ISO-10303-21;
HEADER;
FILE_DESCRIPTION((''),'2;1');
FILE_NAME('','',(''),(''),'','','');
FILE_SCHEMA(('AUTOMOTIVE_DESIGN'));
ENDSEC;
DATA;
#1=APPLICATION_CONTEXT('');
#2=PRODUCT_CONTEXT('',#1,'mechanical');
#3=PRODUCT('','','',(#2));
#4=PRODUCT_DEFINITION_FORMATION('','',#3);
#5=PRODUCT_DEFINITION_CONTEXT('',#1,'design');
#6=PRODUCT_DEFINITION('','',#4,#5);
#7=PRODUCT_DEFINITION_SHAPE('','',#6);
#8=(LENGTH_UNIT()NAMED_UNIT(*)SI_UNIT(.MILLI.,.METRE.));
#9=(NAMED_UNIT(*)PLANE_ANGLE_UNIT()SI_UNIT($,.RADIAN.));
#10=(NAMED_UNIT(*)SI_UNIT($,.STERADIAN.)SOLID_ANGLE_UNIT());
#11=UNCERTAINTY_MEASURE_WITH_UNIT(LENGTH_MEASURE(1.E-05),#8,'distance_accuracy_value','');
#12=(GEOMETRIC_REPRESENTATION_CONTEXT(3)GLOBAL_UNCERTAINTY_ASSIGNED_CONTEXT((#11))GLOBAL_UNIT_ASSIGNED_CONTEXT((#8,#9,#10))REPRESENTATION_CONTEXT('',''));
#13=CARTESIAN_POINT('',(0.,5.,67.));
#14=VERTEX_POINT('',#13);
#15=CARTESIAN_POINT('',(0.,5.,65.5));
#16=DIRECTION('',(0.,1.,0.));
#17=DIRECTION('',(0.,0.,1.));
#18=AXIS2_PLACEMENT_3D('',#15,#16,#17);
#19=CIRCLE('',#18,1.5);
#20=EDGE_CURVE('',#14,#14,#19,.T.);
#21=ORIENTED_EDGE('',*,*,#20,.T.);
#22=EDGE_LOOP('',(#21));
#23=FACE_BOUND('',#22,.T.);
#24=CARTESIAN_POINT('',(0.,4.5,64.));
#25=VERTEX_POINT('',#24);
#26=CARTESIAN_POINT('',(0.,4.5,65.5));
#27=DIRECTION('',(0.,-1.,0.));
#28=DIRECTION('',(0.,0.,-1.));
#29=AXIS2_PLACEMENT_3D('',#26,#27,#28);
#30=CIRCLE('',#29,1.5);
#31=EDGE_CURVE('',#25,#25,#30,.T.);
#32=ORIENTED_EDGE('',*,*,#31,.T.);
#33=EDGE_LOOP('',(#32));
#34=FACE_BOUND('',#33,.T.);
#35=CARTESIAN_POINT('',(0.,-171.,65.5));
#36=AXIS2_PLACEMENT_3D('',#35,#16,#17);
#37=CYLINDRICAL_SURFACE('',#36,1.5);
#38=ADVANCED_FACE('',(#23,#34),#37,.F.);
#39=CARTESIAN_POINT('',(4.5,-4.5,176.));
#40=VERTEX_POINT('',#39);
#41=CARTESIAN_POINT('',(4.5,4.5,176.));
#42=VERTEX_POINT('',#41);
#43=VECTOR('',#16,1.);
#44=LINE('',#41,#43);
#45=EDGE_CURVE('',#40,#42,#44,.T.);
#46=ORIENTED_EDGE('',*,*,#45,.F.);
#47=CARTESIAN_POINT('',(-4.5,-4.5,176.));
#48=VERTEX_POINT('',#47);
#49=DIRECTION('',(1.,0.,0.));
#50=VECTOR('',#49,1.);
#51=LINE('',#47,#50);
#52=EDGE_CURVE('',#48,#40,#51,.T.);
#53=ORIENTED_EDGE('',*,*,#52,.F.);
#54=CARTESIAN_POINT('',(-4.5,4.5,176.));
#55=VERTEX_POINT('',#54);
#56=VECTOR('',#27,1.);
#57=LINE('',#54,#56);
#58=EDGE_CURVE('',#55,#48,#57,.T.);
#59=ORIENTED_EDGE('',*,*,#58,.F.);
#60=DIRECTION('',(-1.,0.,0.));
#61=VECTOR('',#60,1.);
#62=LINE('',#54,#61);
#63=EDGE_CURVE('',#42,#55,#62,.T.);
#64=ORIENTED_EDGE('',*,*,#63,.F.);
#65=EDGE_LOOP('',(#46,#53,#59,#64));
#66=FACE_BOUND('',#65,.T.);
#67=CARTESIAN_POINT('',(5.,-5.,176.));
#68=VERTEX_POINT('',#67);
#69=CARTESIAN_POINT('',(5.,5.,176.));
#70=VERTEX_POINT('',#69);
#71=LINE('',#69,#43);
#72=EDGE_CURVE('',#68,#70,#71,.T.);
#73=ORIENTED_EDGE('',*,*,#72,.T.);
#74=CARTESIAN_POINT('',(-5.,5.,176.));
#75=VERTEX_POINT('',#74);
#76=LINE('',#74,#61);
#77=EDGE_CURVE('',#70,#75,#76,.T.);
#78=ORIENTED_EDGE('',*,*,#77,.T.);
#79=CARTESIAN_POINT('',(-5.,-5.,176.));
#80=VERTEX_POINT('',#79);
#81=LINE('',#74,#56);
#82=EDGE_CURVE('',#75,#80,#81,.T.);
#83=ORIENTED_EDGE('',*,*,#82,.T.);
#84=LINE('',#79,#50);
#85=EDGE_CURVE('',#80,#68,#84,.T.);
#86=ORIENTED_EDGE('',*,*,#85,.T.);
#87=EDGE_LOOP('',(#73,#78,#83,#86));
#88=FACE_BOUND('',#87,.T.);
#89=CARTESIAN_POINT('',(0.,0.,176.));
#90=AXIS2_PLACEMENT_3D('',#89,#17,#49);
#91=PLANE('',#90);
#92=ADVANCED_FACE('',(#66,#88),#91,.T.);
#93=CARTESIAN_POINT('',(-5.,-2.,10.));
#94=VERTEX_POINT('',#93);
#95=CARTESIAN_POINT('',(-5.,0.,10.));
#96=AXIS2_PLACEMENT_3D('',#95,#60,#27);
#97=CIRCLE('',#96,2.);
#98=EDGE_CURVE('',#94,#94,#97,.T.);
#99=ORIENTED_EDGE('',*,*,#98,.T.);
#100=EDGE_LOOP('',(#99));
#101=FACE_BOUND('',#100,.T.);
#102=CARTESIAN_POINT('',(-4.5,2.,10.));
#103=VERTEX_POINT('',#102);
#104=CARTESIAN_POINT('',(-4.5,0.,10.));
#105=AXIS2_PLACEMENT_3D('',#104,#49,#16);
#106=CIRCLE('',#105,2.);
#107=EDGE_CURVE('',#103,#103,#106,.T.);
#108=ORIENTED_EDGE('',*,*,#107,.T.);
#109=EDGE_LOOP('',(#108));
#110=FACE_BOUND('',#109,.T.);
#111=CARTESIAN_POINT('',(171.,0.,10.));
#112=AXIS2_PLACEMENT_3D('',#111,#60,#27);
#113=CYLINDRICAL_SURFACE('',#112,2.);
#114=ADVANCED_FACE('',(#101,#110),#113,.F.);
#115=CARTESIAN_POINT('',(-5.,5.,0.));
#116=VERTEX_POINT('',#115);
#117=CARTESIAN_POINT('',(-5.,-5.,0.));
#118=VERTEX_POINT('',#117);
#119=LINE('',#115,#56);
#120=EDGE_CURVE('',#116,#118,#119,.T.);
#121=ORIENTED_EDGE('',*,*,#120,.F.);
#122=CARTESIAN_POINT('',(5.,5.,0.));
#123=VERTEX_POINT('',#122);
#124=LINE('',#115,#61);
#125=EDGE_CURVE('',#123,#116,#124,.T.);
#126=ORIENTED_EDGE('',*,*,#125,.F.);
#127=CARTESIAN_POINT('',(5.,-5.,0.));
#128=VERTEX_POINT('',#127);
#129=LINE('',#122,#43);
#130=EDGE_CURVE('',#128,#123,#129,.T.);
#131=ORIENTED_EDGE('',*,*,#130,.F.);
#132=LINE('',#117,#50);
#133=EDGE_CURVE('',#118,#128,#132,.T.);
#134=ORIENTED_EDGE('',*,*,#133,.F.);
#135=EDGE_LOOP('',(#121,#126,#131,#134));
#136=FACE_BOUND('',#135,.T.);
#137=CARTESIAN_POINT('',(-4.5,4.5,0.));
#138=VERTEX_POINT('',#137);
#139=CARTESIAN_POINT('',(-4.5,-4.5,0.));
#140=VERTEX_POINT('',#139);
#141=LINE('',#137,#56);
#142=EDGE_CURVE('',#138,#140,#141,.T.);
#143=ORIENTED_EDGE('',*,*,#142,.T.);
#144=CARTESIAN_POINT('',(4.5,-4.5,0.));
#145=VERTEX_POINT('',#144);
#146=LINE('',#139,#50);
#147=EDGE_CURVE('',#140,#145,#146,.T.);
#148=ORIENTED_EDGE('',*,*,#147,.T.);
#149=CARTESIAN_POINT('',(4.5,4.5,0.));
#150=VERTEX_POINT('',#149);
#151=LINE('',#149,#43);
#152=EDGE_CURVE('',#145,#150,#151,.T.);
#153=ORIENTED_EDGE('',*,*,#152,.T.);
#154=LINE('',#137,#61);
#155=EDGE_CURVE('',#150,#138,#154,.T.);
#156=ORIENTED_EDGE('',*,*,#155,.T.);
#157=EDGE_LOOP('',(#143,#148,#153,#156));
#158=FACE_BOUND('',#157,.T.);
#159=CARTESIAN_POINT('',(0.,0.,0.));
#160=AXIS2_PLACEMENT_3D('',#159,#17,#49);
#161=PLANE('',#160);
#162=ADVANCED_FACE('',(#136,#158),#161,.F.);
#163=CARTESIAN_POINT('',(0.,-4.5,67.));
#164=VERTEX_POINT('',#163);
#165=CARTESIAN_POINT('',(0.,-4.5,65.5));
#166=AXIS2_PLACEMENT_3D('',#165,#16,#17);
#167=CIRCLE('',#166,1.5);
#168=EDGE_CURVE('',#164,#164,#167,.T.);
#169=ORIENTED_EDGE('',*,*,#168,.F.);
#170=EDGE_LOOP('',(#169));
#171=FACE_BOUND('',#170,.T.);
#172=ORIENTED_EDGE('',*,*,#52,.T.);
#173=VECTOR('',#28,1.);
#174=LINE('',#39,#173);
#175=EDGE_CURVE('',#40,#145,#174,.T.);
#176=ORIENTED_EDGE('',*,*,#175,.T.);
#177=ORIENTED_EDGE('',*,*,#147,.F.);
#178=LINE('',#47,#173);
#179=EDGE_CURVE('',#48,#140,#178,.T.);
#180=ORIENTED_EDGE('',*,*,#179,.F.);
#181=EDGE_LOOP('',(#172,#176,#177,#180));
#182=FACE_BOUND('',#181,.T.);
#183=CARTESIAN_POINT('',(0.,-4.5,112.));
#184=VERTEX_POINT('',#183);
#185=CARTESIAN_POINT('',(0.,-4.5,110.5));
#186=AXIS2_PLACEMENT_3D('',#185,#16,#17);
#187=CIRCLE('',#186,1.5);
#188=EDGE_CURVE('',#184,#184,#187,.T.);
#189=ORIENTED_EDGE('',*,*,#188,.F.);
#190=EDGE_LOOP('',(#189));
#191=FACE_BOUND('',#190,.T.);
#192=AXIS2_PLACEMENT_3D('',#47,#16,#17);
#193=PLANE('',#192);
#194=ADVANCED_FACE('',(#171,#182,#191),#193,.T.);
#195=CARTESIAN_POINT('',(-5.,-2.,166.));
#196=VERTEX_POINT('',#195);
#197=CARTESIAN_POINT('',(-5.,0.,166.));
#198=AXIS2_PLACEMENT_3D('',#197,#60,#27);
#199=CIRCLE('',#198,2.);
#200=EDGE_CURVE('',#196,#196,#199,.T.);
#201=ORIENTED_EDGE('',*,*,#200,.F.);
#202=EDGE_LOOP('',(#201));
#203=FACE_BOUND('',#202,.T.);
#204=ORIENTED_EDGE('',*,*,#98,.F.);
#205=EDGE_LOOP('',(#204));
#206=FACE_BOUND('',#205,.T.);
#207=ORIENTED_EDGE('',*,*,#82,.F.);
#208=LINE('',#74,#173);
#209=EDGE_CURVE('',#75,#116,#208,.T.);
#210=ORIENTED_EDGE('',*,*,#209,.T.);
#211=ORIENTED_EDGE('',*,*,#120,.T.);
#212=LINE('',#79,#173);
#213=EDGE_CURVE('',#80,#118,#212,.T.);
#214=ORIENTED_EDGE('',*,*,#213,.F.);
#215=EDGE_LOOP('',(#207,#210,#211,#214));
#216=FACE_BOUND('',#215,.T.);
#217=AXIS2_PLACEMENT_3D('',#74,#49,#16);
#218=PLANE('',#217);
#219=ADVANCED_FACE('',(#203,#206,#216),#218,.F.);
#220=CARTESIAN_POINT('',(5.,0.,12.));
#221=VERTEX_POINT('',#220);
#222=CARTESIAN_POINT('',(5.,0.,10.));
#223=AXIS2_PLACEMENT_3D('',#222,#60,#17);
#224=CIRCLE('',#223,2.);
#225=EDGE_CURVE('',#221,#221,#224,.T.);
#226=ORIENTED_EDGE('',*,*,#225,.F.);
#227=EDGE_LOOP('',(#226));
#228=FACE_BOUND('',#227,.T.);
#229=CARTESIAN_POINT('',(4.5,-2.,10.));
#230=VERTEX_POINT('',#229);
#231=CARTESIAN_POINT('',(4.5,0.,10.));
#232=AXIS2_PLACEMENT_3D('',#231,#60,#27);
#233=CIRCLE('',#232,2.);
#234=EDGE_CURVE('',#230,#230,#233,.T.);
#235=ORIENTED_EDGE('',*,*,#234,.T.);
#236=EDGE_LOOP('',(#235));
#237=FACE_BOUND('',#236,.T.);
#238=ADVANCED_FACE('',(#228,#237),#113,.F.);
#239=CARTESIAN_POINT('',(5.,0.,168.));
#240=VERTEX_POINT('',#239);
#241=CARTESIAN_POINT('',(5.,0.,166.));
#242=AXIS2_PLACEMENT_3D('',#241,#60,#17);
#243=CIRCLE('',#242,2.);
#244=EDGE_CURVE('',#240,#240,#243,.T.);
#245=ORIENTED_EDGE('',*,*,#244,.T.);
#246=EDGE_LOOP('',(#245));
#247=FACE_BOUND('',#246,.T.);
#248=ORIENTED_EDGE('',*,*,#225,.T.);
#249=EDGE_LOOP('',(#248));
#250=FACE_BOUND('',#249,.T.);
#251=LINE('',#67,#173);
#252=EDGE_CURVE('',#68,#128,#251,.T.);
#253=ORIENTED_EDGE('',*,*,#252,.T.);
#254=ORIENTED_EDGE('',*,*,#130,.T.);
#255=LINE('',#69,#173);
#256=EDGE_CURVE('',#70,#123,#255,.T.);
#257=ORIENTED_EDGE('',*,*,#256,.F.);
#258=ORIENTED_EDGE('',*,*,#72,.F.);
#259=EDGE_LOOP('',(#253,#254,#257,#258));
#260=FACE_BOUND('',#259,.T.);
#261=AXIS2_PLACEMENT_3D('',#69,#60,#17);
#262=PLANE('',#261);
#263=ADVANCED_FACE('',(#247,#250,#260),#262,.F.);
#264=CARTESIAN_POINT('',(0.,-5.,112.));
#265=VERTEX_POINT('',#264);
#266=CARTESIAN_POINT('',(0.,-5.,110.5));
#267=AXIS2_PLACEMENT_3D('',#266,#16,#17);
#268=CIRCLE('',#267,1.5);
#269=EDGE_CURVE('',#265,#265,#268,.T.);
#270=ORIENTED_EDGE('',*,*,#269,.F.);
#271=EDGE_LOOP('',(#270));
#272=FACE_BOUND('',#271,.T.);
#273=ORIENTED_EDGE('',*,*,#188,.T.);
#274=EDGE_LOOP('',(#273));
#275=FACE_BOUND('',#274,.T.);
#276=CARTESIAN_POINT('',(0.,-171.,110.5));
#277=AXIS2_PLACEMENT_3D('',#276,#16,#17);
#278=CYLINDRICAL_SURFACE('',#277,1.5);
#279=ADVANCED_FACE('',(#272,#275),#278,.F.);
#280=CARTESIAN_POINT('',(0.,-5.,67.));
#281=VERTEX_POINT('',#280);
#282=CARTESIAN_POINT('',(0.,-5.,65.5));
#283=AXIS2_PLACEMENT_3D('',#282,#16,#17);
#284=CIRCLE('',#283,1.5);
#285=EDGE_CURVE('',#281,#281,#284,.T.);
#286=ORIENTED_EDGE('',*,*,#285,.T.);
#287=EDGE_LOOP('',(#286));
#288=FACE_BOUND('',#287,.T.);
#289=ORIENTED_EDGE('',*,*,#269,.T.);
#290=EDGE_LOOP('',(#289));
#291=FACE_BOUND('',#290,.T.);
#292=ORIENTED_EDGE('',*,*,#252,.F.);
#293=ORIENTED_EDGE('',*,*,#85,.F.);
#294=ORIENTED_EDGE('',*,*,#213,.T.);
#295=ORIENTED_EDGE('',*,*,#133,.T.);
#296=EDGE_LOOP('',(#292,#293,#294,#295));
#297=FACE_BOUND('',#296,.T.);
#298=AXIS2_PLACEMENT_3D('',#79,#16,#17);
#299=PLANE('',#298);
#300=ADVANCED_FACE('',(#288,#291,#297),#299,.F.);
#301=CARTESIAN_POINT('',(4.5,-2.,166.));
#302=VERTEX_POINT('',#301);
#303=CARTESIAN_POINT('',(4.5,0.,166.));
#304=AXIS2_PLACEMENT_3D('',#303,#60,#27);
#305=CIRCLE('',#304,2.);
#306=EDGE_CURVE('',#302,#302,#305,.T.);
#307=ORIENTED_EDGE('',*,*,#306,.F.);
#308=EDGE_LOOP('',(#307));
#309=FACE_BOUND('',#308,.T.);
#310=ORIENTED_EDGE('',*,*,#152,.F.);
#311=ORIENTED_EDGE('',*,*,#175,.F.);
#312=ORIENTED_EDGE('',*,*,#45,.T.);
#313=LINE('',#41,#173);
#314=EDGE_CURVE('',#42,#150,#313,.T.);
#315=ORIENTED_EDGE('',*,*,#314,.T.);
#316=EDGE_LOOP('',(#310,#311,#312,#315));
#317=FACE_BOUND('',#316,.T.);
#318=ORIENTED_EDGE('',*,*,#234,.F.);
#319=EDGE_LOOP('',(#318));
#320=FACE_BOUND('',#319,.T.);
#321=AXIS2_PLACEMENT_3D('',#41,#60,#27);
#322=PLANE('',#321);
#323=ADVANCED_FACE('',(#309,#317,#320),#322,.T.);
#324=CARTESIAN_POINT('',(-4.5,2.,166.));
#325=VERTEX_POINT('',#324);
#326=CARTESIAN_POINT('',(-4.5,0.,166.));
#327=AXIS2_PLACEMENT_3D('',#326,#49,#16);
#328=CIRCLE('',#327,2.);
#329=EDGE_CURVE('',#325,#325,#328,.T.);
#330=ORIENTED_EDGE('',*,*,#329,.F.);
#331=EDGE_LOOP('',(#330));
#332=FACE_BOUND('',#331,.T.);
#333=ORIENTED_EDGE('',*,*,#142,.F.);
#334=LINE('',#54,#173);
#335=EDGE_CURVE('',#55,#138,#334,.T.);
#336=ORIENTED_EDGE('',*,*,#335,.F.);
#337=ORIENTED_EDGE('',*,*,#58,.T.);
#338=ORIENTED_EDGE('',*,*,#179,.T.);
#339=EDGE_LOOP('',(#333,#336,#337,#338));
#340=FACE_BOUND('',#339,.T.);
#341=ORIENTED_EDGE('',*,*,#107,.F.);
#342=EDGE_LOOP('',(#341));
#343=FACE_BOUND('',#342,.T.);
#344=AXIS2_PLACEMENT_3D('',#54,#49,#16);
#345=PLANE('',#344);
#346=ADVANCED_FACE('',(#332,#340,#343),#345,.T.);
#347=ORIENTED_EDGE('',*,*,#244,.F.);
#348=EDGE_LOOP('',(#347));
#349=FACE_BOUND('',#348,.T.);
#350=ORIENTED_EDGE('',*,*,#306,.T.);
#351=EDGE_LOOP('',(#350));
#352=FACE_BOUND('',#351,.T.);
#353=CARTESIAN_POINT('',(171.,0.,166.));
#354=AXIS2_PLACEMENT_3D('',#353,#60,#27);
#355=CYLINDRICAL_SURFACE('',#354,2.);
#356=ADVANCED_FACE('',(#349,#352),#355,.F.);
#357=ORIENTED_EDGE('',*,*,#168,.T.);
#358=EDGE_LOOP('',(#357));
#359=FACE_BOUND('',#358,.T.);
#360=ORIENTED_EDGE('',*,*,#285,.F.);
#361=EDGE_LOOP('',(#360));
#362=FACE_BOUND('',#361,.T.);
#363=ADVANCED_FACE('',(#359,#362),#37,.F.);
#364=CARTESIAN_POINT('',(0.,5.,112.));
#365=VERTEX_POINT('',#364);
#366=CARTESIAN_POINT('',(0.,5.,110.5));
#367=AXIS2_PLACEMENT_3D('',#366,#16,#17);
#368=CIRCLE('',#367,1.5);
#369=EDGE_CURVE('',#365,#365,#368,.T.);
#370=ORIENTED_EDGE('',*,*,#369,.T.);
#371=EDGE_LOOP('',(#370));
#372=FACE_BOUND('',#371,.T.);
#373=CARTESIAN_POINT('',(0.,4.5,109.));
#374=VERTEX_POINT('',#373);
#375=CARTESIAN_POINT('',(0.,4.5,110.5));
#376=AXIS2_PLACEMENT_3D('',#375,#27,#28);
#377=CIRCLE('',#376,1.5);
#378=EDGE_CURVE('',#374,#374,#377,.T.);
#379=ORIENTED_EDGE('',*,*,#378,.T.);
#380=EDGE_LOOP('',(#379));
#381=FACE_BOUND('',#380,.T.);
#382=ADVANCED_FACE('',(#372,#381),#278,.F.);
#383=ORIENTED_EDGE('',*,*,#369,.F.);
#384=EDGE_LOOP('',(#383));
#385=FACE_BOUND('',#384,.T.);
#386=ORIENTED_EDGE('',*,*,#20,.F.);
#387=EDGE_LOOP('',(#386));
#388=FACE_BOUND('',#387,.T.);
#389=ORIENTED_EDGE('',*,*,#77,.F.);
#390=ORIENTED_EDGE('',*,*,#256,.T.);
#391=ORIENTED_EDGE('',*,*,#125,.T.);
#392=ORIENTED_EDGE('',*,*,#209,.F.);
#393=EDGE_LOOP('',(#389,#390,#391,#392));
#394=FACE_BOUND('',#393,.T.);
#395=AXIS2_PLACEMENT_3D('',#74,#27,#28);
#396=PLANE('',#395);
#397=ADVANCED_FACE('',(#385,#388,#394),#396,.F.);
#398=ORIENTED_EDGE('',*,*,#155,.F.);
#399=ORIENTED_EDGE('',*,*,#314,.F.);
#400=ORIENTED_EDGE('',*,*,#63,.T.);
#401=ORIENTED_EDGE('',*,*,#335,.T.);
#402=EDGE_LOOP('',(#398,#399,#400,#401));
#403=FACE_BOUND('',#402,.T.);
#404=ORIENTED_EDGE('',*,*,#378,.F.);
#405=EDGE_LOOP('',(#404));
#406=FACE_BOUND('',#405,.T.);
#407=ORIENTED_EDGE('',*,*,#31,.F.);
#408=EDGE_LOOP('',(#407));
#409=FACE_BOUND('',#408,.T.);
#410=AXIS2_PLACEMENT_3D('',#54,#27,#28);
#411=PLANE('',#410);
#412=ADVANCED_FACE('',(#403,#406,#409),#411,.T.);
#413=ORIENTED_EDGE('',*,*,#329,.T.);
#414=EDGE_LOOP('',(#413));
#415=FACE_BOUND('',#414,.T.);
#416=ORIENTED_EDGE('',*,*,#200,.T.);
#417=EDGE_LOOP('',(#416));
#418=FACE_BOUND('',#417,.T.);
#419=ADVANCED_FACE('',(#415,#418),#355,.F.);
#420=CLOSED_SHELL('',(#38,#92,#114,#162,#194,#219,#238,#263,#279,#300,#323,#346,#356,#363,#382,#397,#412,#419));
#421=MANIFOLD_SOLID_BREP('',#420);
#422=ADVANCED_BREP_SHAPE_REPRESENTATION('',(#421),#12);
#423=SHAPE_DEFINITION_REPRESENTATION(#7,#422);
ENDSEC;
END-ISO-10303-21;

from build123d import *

# Parameters (mm, degrees)
SKETCH_1_W          = 10
SKETCH_1_H          = 10
SKETCH_1_W_2        = 9
SKETCH_1_H_2        = 9
EXTRUDE_1_DEPTH     = 176
SKETCH_2_R          = 2
CUT_EXTRUDE_1_DEPTH = 176
SKETCH_3_R          = 1.5
CUT_EXTRUDE_2_DEPTH = 176


with BuildPart() as part:
    # 草图1 → 凸台-拉伸1 (new body)
    with BuildSketch(Plane.XY):
        Rectangle(SKETCH_1_W, SKETCH_1_H)
        Rectangle(SKETCH_1_W_2, SKETCH_1_H_2, mode=Mode.SUBTRACT)
    extrude(amount=EXTRUDE_1_DEPTH)

    # 草图2 → 切除-拉伸1 (cut)
    with BuildSketch(Plane.ZY.offset(5)):
        with Locations(Location((10, 0, 0), (0, 0, 270))):
            Circle(SKETCH_2_R)
        with Locations(Location((166, 0, 0), (0, 0, 270))):
            Circle(SKETCH_2_R)
    extrude(amount=-CUT_EXTRUDE_1_DEPTH, mode=Mode.SUBTRACT)

    # 草图3 → 切除-拉伸2 (cut)
    with BuildSketch(Plane(origin=(0, 5, 0), x_dir=(1, 0, 0), z_dir=(0, 1, 0))):
        with Locations(Location((0, -65.5, 0), (0, 0, 270))):
            Circle(SKETCH_3_R)
        with Locations(Location((0, -110.5, 0), (0, 0, 270))):
            Circle(SKETCH_3_R)
    extrude(amount=-CUT_EXTRUDE_2_DEPTH, mode=Mode.SUBTRACT)


solid = part.part
